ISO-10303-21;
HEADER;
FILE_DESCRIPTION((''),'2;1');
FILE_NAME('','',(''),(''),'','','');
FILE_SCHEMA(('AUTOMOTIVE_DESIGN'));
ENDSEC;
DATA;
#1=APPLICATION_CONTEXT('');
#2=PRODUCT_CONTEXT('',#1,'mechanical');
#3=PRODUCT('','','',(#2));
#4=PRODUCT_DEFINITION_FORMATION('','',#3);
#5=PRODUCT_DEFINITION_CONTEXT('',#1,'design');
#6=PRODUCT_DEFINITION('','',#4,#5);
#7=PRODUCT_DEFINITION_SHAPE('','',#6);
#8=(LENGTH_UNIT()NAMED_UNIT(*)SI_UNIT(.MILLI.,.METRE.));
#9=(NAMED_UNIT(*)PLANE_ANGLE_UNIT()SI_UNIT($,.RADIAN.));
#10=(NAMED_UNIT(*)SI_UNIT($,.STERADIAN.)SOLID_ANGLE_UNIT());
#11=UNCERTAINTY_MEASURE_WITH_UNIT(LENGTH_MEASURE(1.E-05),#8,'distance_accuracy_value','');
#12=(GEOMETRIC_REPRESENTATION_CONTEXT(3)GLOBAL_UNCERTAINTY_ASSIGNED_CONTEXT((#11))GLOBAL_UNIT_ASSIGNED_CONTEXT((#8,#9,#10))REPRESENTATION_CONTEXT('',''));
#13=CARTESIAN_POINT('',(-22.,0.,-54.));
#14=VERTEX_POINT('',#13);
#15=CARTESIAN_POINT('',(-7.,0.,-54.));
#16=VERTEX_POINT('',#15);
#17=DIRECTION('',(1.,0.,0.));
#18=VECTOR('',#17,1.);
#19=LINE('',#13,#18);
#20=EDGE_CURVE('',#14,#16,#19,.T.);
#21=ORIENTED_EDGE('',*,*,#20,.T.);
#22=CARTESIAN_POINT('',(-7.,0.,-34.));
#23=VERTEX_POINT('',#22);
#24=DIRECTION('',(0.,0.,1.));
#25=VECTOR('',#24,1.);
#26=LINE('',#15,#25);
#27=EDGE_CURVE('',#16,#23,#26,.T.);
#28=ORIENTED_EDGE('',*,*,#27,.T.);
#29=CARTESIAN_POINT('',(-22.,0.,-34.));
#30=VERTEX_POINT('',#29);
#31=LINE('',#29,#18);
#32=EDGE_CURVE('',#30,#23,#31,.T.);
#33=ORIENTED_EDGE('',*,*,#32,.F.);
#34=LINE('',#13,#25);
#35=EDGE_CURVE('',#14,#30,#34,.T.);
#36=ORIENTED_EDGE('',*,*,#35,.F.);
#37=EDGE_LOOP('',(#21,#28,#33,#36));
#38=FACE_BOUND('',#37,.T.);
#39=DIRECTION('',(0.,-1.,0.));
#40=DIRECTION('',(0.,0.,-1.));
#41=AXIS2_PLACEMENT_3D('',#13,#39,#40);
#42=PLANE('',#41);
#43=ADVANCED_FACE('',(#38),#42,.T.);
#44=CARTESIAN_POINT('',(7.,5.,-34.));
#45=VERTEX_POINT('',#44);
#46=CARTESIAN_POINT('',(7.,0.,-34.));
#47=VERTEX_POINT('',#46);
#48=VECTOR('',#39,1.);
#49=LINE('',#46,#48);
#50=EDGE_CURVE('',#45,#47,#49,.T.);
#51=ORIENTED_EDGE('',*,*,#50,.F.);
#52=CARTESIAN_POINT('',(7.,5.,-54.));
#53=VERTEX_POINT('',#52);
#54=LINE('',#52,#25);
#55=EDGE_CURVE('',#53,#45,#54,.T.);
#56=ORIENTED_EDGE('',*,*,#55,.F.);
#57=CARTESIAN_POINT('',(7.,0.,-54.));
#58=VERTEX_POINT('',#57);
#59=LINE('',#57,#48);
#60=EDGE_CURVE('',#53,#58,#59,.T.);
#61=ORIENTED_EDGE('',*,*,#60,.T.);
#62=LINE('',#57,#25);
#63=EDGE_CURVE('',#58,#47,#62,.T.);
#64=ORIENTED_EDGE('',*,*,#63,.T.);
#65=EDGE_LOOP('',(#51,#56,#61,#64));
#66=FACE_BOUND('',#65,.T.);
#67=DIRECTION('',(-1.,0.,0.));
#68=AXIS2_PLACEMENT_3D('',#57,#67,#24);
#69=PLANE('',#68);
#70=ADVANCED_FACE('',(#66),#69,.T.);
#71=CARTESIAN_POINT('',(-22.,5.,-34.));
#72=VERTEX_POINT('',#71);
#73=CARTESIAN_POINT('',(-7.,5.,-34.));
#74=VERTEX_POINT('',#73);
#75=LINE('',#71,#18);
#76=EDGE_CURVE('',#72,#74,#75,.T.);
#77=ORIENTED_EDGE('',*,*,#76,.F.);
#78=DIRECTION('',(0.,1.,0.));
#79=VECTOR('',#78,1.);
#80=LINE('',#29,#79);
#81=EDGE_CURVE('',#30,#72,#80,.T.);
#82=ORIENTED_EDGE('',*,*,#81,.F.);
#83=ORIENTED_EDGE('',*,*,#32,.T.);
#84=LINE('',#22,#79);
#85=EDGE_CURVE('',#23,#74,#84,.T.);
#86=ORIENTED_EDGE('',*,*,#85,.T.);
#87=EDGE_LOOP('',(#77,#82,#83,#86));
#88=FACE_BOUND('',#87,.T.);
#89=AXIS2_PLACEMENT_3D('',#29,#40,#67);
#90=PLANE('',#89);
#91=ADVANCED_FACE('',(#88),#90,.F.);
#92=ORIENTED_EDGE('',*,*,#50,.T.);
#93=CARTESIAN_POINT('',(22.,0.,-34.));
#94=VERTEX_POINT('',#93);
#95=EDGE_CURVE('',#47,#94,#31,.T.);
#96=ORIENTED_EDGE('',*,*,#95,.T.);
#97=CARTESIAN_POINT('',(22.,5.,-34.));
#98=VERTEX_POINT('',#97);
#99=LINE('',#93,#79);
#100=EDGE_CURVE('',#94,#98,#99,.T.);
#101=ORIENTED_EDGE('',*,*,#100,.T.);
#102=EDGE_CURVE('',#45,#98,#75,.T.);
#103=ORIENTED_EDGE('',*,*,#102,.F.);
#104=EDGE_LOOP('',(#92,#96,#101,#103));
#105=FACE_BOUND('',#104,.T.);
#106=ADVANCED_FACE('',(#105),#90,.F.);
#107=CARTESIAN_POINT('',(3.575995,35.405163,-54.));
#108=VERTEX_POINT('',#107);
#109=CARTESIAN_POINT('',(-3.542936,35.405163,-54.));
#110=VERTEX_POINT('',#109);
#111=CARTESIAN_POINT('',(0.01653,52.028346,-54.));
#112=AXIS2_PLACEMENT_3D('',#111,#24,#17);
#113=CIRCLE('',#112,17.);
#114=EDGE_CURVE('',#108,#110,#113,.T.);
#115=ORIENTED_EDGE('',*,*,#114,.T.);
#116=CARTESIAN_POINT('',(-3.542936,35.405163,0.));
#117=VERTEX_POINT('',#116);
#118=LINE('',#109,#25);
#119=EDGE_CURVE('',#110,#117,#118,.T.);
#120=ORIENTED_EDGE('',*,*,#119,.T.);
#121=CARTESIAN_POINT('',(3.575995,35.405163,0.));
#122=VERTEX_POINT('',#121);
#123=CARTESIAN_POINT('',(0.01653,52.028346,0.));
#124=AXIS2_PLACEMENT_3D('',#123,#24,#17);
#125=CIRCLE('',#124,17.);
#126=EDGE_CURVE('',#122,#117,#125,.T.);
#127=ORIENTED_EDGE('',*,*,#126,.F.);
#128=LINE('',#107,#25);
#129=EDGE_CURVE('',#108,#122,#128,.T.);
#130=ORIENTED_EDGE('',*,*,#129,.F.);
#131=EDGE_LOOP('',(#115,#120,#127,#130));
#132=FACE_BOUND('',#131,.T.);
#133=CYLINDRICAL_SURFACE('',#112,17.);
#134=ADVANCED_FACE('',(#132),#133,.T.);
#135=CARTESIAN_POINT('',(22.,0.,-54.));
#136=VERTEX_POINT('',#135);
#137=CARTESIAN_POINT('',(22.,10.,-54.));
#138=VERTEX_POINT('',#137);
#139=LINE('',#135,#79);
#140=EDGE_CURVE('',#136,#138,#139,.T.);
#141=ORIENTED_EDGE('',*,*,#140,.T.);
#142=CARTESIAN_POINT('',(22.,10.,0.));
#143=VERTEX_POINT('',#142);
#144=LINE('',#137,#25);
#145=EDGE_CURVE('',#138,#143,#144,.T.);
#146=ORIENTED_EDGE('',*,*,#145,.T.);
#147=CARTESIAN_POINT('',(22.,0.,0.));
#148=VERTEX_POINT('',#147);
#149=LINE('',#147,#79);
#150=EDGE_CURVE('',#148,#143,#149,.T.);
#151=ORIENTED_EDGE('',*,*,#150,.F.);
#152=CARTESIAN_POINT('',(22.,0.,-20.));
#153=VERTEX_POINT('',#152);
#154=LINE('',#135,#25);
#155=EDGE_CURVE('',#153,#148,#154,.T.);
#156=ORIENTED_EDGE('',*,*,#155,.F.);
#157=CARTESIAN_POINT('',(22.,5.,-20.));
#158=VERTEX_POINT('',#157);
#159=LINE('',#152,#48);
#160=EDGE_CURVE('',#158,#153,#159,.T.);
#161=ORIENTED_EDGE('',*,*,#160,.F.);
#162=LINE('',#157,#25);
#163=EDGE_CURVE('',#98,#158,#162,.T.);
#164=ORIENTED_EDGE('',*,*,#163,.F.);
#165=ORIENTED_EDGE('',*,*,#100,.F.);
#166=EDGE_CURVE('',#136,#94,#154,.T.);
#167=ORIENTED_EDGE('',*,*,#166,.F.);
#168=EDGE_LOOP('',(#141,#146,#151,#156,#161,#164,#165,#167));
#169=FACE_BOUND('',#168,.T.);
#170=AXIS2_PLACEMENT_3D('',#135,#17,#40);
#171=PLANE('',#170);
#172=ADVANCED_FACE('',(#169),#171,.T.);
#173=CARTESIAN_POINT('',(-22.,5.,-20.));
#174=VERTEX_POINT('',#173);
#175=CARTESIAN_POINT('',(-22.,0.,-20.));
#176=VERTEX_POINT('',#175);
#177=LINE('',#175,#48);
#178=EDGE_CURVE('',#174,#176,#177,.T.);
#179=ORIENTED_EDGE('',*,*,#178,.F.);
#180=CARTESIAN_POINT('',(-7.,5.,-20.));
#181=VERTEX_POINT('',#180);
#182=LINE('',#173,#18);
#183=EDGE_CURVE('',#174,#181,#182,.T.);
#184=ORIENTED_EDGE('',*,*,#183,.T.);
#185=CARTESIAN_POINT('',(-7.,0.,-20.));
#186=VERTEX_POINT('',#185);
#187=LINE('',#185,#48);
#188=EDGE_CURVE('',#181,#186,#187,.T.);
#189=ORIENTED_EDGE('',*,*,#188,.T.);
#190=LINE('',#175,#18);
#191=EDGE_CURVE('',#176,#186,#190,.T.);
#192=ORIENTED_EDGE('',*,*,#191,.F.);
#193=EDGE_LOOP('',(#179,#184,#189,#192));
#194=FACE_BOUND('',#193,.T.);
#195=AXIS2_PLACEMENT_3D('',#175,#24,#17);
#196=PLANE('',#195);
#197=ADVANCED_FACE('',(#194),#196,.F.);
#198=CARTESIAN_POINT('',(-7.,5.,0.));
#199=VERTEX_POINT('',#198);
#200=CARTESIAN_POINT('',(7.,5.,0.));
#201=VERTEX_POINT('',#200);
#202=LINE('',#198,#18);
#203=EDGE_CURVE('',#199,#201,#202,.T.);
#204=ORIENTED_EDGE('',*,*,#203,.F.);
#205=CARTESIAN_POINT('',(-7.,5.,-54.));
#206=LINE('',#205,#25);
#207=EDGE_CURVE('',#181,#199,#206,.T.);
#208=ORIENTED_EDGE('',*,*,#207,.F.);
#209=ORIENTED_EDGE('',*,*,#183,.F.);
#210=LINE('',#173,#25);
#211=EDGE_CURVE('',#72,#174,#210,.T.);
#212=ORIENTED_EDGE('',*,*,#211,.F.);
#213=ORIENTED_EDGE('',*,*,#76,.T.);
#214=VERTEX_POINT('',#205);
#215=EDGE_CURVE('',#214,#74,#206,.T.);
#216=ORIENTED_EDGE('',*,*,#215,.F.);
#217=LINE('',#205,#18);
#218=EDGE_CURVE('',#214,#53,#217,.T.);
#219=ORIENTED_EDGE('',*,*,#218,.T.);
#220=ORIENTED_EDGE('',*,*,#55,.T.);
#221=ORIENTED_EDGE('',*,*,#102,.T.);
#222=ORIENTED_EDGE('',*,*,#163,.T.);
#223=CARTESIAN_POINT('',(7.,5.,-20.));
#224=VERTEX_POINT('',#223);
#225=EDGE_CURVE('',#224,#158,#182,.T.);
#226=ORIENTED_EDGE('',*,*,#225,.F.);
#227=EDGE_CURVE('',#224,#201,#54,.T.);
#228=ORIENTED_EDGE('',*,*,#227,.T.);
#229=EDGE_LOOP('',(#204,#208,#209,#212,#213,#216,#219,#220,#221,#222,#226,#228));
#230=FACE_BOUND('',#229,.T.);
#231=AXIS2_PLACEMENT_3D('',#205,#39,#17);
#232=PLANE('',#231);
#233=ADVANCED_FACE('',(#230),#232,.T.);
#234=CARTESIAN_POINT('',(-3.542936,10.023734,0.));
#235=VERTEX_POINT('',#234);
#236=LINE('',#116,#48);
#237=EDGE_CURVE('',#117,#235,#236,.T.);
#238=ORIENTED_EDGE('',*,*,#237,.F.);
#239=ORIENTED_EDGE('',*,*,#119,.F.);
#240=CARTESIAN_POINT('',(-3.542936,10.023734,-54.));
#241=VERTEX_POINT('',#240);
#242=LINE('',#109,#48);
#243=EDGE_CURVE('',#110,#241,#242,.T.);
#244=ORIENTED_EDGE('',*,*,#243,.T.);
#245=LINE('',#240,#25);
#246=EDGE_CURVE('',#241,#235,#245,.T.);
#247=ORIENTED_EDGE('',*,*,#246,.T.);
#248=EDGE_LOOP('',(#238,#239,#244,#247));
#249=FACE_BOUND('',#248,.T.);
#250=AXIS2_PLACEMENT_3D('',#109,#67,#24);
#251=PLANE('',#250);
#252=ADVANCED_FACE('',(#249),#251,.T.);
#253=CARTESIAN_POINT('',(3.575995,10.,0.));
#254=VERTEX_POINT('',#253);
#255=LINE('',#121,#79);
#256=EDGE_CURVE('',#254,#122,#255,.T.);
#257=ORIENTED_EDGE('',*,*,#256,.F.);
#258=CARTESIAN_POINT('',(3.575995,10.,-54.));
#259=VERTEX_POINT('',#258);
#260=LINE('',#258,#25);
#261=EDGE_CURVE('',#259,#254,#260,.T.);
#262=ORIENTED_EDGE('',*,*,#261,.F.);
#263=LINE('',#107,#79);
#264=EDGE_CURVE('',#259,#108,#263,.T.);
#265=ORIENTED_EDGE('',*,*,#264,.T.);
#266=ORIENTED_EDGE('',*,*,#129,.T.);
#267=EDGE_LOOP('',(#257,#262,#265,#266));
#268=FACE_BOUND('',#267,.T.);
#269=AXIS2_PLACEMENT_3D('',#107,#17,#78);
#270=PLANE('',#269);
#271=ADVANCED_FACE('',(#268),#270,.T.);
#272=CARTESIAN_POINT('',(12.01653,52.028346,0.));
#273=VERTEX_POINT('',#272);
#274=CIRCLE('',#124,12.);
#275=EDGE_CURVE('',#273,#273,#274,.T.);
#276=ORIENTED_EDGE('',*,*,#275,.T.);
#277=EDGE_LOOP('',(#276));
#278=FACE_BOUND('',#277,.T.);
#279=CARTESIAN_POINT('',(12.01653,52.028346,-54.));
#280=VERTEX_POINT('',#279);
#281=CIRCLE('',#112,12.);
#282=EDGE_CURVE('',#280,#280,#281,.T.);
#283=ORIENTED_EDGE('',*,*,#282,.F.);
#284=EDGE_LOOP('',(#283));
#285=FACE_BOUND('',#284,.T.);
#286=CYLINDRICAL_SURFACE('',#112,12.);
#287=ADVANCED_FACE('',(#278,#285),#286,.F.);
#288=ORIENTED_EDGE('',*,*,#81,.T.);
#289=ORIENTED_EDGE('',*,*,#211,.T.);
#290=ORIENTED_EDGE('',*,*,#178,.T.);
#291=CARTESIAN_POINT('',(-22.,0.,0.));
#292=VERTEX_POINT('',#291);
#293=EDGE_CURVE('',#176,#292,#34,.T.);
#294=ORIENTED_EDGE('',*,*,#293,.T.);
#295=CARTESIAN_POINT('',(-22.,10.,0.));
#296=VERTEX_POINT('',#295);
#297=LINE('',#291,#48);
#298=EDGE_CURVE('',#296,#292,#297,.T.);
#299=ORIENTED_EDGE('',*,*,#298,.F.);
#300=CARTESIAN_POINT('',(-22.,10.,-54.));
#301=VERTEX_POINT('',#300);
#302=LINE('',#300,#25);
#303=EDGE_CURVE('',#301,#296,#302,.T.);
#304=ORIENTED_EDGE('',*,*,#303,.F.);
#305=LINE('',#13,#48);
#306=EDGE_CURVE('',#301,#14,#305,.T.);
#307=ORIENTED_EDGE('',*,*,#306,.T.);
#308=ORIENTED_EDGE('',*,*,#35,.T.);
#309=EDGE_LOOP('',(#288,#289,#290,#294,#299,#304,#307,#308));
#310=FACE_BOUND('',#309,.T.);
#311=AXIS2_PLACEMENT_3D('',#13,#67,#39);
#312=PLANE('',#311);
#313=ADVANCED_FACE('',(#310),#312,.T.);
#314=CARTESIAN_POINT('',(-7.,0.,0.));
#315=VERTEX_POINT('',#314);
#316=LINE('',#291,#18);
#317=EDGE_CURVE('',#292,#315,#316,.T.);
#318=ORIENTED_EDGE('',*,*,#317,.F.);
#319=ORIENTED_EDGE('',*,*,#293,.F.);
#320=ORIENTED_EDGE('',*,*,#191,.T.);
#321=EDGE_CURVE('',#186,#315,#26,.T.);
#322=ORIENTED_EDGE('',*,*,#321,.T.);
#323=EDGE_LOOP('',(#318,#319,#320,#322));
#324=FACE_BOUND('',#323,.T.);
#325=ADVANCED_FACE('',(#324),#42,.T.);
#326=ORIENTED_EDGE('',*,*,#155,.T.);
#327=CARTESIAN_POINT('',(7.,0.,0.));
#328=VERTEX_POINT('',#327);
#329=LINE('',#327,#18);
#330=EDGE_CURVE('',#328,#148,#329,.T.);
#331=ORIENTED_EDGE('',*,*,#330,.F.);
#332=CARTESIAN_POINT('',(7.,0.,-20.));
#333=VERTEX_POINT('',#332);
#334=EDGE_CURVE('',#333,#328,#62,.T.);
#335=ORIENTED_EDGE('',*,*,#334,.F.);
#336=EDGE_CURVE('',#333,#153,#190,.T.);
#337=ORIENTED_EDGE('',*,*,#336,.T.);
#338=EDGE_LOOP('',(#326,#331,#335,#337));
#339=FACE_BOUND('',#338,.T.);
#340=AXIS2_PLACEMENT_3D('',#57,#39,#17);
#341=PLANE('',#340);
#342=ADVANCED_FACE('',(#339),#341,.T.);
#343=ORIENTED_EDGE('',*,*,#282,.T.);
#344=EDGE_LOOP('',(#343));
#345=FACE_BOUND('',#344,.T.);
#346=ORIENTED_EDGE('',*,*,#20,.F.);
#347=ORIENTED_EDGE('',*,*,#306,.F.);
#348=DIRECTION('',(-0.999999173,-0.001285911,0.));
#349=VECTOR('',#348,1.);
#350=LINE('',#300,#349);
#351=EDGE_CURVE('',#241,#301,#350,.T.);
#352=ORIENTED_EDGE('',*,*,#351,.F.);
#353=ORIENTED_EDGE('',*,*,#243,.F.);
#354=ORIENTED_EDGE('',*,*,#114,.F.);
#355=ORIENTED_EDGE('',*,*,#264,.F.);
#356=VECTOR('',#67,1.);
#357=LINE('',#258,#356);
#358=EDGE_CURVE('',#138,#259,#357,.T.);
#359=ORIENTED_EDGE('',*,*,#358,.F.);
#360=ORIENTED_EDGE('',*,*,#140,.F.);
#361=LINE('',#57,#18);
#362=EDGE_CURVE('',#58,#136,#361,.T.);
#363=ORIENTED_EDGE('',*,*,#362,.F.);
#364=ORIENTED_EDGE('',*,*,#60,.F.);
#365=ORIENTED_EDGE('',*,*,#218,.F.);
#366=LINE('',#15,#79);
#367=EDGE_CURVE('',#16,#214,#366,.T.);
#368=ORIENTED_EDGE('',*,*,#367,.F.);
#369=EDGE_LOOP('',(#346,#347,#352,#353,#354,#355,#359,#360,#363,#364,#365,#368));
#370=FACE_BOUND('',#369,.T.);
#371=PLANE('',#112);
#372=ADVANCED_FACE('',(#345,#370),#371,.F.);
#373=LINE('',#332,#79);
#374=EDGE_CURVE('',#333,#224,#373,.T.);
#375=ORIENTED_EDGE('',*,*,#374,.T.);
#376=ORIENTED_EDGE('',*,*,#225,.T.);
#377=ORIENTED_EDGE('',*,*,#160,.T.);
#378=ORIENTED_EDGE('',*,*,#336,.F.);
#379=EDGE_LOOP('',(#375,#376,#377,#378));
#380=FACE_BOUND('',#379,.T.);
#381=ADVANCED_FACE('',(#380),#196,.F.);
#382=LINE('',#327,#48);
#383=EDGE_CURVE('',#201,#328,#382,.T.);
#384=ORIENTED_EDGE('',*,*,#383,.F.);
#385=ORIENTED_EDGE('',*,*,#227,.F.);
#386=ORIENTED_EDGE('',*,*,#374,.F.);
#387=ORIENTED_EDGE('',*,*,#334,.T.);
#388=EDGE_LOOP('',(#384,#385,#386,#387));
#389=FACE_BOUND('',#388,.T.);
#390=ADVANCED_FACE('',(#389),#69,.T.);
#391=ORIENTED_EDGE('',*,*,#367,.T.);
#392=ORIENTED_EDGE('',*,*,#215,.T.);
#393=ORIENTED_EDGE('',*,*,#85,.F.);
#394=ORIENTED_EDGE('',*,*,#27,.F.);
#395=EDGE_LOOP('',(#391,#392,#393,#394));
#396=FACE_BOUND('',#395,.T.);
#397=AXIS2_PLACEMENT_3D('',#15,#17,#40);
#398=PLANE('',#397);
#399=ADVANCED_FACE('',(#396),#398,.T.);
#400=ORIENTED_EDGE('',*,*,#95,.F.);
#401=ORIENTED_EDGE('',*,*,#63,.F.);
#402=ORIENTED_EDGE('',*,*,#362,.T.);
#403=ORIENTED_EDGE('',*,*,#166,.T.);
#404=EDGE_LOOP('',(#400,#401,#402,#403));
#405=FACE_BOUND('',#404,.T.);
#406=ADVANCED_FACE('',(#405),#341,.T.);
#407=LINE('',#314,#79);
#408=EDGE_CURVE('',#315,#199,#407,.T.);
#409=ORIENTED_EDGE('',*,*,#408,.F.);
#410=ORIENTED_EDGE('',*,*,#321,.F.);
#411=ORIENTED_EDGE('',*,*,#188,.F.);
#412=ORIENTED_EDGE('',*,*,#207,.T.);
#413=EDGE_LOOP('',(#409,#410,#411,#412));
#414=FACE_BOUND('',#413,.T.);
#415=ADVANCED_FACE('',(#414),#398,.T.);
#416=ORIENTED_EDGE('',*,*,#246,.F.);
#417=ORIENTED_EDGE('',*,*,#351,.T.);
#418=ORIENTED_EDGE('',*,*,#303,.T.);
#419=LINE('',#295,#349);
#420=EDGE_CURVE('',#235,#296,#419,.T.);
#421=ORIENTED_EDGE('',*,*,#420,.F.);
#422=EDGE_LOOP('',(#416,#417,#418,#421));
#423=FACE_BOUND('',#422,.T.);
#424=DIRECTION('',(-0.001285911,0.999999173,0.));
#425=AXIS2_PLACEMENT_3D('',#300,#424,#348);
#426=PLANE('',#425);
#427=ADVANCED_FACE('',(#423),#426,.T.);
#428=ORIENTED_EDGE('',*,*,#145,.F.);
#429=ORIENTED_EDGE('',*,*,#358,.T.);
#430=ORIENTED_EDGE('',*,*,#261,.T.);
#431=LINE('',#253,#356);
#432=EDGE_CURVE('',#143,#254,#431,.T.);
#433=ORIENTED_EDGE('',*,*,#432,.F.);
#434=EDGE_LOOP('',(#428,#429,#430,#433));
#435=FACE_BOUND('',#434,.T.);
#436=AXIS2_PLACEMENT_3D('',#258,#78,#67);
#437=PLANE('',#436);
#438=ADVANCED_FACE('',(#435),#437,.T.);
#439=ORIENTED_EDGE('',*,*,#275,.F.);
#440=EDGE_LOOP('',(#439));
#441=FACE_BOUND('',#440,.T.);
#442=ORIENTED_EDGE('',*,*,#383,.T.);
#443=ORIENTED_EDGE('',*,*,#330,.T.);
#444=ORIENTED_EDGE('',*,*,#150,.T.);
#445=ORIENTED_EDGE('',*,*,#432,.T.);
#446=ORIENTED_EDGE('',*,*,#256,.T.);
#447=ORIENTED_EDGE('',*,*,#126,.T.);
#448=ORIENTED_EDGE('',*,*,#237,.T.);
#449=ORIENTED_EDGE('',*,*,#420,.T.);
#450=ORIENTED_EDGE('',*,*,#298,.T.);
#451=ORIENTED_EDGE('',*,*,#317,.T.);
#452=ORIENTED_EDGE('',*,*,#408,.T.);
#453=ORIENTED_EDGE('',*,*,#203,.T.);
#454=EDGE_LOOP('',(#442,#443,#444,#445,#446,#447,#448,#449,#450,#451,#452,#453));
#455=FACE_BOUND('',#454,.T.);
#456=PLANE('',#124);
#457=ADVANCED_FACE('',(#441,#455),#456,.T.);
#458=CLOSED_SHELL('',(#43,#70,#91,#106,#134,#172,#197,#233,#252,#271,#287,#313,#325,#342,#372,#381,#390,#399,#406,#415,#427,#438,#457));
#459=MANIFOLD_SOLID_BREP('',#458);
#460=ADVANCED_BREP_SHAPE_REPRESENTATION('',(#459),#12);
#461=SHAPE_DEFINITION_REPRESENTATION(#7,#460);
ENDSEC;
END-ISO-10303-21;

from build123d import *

# Parameters (mm, degrees)
SKETCH1_R           = 12
BOSS_EXTRUDE1_DEPTH = 54
SKETCH2_W           = 14
SKETCH2_H           = 5
CUT_EXTRUDE1_DEPTH  = 44


with BuildPart() as part:
    # Sketch1 → Boss-Extrude1 (new body)
    with BuildSketch(Plane.XY):
        with BuildLine():
            Line((-22, 0), (-7, 0))
            Line((-7, 0), (-7, 5))
            Line((-7, 5), (7, 5))
            Line((7, 5), (7, 0))
            Line((7, 0), (22, 0))
            Line((22, 0), (22, 10))
            Line((22, 10), (3.575995422, 10))
            Line((3.575995422, 10), (3.575995422, 35.405163338))
            ThreePointArc((3.575995422, 35.405163338), (0.016529647, 69.028346048), (-3.542936129, 35.405163338))
            Line((-3.542936129, 35.405163338), (-3.542936129, 10.023734162))
            Line((-3.542936129, 10.023734162), (-22, 10))
            Line((-22, 10), (-22, 0))
        make_face()
        with Locations((0.016529647, 52.028346048)):
            Circle(SKETCH1_R, mode=Mode.SUBTRACT)
    extrude(amount=-BOSS_EXTRUDE1_DEPTH)

    # Sketch2 → Cut-Extrude1 (cut)
    with BuildSketch(Plane(origin=(22, 0, 0), x_dir=(0, 0, -1), z_dir=(1, 0, 0))):
        with Locations((27, 2.5)):
            Rectangle(SKETCH2_W, SKETCH2_H)
    extrude(amount=-CUT_EXTRUDE1_DEPTH, mode=Mode.SUBTRACT)


solid = part.part
